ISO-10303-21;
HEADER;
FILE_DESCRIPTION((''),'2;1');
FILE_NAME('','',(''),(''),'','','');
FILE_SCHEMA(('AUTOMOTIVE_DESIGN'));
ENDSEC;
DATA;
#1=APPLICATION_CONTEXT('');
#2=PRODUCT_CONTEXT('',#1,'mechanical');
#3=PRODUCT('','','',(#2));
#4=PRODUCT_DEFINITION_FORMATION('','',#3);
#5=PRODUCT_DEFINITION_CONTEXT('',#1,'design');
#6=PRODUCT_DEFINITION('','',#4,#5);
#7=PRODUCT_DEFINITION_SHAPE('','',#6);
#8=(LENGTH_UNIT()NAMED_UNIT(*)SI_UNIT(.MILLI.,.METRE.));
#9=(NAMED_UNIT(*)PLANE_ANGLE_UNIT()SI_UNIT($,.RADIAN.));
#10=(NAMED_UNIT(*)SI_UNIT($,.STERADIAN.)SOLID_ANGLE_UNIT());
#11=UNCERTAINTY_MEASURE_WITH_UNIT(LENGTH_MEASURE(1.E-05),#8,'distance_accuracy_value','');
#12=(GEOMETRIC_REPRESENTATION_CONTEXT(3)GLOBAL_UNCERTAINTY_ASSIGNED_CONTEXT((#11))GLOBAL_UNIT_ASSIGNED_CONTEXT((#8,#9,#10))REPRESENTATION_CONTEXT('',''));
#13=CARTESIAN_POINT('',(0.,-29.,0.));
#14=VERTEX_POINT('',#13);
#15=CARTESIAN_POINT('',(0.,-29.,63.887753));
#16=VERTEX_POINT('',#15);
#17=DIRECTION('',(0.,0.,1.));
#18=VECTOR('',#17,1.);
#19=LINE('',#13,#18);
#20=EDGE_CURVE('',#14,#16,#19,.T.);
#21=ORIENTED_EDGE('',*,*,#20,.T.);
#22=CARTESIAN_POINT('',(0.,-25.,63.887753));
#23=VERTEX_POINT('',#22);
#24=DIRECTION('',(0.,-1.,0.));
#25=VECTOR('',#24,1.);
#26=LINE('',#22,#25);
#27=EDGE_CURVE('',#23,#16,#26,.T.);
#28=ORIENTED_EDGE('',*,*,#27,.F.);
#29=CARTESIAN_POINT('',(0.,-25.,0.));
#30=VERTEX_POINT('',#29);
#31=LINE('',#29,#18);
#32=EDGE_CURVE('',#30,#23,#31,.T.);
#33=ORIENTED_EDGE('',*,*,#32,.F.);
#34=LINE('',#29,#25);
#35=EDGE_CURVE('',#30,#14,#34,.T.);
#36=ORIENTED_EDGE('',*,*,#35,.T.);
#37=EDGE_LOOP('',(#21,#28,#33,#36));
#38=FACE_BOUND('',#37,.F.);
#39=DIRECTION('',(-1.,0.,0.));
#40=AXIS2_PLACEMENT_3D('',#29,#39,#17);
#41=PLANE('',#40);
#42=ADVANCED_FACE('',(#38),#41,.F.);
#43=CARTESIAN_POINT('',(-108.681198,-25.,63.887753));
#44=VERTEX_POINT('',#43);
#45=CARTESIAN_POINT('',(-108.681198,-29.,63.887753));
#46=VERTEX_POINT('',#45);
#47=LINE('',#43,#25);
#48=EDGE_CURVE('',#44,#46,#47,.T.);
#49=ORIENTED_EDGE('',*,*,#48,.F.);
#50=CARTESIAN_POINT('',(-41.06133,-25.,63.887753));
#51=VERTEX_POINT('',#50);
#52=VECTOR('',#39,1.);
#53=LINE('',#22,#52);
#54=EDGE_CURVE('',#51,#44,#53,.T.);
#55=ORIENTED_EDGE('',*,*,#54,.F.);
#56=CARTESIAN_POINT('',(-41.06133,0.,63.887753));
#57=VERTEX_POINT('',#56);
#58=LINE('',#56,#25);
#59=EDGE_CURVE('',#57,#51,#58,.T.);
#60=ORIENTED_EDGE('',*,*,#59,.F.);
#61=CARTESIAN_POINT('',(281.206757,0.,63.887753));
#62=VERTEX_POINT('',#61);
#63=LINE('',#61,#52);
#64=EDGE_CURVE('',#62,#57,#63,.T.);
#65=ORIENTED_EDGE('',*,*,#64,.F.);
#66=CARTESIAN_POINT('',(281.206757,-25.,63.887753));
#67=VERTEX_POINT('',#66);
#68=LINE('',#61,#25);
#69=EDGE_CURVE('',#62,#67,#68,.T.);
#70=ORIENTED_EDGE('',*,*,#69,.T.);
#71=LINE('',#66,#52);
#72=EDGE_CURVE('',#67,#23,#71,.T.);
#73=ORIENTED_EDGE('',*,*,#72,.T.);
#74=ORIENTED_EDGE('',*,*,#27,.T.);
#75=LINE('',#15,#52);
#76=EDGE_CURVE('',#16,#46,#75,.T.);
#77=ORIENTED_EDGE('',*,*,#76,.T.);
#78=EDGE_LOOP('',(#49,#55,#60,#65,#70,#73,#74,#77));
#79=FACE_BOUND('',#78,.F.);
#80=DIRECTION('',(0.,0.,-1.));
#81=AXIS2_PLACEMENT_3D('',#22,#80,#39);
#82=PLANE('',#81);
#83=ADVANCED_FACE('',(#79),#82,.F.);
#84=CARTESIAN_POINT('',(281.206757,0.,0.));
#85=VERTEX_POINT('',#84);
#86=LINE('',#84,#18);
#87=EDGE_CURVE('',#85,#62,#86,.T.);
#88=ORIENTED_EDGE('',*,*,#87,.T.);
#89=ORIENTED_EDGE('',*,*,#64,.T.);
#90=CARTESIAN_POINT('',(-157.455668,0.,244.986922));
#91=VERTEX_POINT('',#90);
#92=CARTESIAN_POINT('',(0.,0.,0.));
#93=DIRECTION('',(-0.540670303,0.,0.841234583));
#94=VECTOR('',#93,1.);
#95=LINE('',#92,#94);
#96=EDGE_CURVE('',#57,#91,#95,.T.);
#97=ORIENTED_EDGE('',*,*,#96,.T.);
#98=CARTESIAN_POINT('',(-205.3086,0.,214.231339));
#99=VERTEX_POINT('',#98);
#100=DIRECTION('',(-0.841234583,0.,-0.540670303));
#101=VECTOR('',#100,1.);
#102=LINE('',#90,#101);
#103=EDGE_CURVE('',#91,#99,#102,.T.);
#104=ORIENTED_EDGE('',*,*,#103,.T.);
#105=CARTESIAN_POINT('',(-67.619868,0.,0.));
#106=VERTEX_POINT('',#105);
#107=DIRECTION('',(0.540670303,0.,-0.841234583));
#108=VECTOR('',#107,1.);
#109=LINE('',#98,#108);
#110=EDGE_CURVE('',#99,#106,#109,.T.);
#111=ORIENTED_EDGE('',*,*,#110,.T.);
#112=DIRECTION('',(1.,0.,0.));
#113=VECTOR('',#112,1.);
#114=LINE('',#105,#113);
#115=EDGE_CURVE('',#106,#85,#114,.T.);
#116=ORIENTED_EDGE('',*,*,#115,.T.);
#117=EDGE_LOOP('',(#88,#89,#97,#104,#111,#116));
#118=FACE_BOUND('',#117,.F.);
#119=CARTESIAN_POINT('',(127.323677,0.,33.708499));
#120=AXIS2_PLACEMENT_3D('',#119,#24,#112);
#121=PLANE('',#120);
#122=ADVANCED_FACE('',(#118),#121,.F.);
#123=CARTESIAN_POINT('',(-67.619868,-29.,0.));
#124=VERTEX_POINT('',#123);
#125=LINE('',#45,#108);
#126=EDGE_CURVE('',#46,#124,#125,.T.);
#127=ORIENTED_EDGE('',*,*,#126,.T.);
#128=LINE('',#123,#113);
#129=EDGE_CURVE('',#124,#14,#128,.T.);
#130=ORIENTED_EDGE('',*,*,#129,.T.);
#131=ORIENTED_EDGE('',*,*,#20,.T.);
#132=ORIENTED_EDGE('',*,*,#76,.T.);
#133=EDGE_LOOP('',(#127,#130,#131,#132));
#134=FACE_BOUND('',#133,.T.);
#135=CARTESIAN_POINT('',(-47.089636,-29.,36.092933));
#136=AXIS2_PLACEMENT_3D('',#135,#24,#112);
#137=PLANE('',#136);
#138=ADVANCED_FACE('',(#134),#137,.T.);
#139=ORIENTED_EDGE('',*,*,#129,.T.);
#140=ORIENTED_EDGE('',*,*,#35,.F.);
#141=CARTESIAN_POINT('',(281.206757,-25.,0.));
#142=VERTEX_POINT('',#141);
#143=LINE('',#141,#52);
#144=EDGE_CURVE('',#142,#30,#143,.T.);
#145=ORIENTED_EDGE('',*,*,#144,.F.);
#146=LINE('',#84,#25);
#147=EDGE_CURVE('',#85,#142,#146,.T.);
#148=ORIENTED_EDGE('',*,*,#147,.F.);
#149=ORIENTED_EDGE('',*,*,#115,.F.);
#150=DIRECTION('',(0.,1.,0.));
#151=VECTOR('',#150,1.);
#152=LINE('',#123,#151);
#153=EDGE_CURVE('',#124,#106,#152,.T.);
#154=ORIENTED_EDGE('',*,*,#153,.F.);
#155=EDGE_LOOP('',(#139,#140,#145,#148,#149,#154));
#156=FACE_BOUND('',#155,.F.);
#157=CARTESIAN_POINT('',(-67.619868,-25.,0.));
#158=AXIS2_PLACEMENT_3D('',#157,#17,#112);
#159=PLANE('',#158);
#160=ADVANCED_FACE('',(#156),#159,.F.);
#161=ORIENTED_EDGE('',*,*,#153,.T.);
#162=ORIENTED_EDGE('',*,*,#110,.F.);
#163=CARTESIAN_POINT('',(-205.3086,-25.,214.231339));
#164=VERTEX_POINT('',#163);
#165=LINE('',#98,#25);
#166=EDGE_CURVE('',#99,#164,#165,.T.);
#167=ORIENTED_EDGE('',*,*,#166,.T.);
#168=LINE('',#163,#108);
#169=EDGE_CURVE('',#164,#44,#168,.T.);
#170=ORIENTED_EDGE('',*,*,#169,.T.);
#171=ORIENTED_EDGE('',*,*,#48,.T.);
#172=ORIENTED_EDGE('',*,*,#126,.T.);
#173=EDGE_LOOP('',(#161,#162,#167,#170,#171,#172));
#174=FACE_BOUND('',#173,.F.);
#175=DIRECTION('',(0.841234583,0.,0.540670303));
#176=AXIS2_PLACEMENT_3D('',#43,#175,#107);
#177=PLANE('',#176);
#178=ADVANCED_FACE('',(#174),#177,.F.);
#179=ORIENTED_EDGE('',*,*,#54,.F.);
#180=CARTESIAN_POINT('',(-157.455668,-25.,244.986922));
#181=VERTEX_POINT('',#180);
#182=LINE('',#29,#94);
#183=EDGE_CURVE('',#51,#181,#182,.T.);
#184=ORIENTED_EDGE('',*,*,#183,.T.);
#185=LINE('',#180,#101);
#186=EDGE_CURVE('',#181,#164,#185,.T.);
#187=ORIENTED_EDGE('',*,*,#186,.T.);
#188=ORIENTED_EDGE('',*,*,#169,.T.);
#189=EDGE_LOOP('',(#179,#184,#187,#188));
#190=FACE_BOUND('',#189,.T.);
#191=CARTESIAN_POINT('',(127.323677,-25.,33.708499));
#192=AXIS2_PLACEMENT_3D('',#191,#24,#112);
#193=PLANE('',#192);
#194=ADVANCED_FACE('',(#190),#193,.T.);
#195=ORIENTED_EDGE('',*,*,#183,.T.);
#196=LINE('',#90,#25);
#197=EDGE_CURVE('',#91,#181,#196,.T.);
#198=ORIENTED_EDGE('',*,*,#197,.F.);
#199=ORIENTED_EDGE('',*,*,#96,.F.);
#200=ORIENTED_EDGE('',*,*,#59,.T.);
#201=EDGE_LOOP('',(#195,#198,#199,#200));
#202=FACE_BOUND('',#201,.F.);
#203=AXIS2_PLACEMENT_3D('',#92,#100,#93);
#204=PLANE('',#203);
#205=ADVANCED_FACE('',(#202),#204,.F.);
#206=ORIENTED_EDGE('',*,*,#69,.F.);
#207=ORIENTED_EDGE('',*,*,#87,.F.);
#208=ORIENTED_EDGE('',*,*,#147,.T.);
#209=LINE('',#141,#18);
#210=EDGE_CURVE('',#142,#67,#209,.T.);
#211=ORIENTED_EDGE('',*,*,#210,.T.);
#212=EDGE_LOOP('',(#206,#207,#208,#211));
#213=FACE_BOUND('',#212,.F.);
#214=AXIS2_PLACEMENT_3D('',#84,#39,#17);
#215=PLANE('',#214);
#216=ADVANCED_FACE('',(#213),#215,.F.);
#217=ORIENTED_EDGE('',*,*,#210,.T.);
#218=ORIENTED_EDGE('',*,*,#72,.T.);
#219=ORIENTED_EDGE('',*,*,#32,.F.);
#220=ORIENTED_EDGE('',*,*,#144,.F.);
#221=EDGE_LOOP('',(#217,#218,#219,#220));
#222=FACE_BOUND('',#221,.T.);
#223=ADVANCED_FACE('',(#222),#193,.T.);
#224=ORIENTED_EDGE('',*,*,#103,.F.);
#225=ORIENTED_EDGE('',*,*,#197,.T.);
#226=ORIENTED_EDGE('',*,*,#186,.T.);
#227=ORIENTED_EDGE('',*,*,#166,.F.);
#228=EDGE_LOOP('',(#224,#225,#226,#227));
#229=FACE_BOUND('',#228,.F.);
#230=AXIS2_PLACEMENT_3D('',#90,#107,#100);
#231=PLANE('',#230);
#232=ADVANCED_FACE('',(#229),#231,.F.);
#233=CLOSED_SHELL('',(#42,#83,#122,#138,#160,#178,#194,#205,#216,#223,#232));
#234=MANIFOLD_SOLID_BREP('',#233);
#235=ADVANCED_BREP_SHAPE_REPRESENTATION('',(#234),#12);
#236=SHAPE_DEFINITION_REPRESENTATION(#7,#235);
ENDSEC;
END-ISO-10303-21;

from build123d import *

# Parameters (mm, degrees)
F1_DEPTH = 25
F2_DEPTH = 25
F5_DEPTH = 4


with BuildPart() as f1:
    # F0 (on Front) → F1 (new body)
    with BuildSketch(Plane.XZ):
        Polygon((-67.6198684814, 0), (0, 0), (-41.0613296764, 63.8877525926), (-157.4556678534, 244.9869215488), (-205.308600446, 214.2313391182), align=None)
    extrude(amount=F1_DEPTH)

    # F0 (on Front) → F2 (join)
    with BuildSketch(Plane.XZ):
        Polygon((-41.0613296764, 63.8877525926), (0, 0), (281.2067568302, 0), (281.2067568302, 63.8877525926), align=None)
    extrude(amount=F2_DEPTH)

    # F4 (on offset) → F5 (join)
    with BuildSketch(Plane.XZ.offset(25)):
        Polygon((0, 0), (0, 63.8877525926), (-108.6811981577, 63.8877525926), (-67.6198684814, 0), align=None)
    extrude(amount=F5_DEPTH)


solid = f1.part
